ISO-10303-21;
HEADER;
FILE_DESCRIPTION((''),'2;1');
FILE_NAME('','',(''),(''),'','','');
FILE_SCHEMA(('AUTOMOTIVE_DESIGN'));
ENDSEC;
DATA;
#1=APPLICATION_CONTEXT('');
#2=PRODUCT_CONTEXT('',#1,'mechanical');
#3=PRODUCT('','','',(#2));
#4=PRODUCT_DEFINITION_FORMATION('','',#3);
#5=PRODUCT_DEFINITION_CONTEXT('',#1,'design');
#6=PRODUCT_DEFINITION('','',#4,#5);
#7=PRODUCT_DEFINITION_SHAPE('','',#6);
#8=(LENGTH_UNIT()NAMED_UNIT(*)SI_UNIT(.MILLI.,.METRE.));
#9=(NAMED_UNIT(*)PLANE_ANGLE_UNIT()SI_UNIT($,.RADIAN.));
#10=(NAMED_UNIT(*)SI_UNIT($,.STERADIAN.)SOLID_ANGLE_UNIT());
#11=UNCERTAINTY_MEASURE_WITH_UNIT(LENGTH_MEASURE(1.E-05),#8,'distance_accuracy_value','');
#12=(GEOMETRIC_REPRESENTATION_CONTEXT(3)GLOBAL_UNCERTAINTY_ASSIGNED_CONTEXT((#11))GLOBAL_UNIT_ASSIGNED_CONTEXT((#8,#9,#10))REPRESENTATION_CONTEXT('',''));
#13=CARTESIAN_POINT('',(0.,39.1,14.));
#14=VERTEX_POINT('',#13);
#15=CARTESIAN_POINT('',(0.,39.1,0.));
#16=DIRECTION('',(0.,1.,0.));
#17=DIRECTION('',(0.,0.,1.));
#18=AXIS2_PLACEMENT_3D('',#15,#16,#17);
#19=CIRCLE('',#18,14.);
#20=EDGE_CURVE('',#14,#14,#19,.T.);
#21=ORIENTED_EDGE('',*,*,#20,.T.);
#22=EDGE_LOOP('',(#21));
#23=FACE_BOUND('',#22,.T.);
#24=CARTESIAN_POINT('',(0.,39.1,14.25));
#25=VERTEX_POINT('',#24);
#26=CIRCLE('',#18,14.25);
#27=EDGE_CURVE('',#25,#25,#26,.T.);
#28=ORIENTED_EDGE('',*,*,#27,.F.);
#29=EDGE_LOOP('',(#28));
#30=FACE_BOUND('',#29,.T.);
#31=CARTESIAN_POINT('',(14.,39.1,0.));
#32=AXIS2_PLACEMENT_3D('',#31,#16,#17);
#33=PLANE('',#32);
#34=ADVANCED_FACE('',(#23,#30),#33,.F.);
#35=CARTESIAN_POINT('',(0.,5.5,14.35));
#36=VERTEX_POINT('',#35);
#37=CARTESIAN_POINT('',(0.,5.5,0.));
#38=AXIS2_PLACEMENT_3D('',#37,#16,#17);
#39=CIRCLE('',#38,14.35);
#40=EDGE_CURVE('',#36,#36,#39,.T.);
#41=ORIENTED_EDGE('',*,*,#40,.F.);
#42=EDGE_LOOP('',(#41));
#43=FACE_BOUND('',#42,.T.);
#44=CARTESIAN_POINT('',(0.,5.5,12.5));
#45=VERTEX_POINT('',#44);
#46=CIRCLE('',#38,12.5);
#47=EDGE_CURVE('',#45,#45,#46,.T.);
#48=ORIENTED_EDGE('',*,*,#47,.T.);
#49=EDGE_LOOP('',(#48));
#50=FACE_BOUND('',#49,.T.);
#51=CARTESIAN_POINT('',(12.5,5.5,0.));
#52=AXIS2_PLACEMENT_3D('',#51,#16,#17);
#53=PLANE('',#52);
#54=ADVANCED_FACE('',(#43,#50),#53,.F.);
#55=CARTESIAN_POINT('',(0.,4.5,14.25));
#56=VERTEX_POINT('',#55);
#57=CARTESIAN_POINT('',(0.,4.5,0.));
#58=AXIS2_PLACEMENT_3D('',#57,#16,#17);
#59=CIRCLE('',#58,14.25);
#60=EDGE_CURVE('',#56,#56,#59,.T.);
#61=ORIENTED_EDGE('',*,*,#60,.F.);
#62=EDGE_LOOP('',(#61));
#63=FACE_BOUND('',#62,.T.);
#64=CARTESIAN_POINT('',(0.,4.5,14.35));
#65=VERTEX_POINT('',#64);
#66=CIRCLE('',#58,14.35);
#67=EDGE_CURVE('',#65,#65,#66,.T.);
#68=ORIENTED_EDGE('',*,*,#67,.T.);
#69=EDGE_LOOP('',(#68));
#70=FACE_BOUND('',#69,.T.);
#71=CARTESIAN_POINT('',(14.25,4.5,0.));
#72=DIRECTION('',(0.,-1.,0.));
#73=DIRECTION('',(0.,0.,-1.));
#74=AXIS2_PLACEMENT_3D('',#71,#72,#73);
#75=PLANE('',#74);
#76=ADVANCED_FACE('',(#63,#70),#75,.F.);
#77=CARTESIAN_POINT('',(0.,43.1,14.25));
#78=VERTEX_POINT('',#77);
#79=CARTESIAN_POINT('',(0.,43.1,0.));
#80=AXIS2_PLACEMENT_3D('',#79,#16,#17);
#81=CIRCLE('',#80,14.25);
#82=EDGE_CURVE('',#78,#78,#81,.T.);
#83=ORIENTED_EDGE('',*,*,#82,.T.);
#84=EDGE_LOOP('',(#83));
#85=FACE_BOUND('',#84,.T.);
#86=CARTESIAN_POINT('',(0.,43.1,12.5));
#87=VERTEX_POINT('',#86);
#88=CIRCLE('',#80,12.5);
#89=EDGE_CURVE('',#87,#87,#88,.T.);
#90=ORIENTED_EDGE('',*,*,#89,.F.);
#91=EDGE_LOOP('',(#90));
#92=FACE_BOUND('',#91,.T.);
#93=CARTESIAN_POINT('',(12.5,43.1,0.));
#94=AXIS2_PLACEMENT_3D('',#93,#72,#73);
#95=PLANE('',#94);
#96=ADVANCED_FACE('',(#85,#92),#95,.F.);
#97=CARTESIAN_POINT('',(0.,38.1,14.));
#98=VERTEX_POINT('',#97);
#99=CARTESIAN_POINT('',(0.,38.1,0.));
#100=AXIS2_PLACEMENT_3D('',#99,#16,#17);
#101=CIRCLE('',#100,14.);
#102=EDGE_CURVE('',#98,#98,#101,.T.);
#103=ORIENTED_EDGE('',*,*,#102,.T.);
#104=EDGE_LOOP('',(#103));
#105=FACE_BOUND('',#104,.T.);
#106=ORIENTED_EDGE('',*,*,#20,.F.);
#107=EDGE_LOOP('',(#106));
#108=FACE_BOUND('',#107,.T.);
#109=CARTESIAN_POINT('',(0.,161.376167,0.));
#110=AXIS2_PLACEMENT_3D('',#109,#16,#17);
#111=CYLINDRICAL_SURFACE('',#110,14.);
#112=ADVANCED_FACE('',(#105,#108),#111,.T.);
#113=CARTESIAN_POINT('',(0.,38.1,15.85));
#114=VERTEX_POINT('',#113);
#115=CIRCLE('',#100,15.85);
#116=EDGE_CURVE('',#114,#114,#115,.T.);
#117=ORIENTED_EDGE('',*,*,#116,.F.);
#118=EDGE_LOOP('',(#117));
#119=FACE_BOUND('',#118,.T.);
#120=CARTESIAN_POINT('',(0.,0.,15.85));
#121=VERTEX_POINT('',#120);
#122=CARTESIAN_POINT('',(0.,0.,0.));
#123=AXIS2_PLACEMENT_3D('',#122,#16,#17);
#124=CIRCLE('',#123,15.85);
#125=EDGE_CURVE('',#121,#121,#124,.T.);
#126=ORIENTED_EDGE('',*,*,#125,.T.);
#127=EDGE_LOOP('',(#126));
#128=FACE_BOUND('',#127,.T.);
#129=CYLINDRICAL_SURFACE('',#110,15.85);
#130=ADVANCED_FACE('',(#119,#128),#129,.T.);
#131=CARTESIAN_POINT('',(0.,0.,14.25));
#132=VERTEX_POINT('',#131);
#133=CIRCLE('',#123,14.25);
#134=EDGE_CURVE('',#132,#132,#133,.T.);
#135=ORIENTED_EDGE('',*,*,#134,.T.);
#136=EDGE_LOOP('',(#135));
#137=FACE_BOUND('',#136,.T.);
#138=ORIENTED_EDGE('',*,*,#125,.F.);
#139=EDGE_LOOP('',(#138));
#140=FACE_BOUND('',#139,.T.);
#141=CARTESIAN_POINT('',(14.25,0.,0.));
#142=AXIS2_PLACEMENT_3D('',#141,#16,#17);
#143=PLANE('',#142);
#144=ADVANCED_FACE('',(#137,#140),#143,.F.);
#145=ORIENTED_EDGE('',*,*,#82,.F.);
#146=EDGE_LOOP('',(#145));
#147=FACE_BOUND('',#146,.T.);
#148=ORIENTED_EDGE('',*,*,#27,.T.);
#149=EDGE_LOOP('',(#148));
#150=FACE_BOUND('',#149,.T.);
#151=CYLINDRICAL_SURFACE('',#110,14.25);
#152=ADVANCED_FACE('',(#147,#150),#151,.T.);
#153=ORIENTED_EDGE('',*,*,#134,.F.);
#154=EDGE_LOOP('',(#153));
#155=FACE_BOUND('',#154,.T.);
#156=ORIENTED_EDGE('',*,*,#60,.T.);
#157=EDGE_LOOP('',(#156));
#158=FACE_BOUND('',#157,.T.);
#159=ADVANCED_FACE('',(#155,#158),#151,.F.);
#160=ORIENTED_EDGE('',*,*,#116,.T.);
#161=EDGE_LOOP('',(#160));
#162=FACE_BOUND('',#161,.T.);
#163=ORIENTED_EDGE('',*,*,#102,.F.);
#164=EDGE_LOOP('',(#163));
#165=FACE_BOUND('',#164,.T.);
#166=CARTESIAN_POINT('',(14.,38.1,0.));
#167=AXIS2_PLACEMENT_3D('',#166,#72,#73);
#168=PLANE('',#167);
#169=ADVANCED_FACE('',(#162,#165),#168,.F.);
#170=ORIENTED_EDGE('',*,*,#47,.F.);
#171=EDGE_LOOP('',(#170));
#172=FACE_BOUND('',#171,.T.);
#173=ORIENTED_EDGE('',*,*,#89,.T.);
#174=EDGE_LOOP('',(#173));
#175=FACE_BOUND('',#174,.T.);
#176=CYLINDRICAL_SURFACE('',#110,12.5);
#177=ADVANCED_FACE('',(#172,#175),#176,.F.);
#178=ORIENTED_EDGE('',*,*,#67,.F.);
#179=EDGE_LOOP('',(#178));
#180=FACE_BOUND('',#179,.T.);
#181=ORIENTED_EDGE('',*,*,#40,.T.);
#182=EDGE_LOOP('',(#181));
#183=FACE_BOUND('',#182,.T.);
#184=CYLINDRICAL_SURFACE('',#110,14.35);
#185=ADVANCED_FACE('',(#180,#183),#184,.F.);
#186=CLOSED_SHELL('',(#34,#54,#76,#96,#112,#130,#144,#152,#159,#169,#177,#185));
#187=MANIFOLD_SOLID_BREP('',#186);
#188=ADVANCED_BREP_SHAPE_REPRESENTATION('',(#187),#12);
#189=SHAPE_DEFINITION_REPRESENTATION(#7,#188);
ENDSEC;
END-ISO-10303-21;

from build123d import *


with BuildPart() as part:
    # 草图1 → 旋转1 (revolve)
    with BuildSketch(Plane.XY, mode=Mode.PRIVATE) as revolve_1_sk:
        Polygon((14.25, 0), (14.25, 4.5), (14.35, 4.5), (14.35, 5.5), (12.5, 5.5), (12.5, 43.1), (14.25, 43.1), (14.25, 39.1), (14, 39.1), (14, 38.1), (15.85, 38.1), (15.85, 0), align=None)
    revolve(revolve_1_sk.sketch.rotate(Axis((0, 161.376166943, 0), (0, -1, 0)), 90), axis=Axis((0, 161.376166943, 0), (0, -1, 0)))  # turned: the seam where the file's is


solid = part.part
